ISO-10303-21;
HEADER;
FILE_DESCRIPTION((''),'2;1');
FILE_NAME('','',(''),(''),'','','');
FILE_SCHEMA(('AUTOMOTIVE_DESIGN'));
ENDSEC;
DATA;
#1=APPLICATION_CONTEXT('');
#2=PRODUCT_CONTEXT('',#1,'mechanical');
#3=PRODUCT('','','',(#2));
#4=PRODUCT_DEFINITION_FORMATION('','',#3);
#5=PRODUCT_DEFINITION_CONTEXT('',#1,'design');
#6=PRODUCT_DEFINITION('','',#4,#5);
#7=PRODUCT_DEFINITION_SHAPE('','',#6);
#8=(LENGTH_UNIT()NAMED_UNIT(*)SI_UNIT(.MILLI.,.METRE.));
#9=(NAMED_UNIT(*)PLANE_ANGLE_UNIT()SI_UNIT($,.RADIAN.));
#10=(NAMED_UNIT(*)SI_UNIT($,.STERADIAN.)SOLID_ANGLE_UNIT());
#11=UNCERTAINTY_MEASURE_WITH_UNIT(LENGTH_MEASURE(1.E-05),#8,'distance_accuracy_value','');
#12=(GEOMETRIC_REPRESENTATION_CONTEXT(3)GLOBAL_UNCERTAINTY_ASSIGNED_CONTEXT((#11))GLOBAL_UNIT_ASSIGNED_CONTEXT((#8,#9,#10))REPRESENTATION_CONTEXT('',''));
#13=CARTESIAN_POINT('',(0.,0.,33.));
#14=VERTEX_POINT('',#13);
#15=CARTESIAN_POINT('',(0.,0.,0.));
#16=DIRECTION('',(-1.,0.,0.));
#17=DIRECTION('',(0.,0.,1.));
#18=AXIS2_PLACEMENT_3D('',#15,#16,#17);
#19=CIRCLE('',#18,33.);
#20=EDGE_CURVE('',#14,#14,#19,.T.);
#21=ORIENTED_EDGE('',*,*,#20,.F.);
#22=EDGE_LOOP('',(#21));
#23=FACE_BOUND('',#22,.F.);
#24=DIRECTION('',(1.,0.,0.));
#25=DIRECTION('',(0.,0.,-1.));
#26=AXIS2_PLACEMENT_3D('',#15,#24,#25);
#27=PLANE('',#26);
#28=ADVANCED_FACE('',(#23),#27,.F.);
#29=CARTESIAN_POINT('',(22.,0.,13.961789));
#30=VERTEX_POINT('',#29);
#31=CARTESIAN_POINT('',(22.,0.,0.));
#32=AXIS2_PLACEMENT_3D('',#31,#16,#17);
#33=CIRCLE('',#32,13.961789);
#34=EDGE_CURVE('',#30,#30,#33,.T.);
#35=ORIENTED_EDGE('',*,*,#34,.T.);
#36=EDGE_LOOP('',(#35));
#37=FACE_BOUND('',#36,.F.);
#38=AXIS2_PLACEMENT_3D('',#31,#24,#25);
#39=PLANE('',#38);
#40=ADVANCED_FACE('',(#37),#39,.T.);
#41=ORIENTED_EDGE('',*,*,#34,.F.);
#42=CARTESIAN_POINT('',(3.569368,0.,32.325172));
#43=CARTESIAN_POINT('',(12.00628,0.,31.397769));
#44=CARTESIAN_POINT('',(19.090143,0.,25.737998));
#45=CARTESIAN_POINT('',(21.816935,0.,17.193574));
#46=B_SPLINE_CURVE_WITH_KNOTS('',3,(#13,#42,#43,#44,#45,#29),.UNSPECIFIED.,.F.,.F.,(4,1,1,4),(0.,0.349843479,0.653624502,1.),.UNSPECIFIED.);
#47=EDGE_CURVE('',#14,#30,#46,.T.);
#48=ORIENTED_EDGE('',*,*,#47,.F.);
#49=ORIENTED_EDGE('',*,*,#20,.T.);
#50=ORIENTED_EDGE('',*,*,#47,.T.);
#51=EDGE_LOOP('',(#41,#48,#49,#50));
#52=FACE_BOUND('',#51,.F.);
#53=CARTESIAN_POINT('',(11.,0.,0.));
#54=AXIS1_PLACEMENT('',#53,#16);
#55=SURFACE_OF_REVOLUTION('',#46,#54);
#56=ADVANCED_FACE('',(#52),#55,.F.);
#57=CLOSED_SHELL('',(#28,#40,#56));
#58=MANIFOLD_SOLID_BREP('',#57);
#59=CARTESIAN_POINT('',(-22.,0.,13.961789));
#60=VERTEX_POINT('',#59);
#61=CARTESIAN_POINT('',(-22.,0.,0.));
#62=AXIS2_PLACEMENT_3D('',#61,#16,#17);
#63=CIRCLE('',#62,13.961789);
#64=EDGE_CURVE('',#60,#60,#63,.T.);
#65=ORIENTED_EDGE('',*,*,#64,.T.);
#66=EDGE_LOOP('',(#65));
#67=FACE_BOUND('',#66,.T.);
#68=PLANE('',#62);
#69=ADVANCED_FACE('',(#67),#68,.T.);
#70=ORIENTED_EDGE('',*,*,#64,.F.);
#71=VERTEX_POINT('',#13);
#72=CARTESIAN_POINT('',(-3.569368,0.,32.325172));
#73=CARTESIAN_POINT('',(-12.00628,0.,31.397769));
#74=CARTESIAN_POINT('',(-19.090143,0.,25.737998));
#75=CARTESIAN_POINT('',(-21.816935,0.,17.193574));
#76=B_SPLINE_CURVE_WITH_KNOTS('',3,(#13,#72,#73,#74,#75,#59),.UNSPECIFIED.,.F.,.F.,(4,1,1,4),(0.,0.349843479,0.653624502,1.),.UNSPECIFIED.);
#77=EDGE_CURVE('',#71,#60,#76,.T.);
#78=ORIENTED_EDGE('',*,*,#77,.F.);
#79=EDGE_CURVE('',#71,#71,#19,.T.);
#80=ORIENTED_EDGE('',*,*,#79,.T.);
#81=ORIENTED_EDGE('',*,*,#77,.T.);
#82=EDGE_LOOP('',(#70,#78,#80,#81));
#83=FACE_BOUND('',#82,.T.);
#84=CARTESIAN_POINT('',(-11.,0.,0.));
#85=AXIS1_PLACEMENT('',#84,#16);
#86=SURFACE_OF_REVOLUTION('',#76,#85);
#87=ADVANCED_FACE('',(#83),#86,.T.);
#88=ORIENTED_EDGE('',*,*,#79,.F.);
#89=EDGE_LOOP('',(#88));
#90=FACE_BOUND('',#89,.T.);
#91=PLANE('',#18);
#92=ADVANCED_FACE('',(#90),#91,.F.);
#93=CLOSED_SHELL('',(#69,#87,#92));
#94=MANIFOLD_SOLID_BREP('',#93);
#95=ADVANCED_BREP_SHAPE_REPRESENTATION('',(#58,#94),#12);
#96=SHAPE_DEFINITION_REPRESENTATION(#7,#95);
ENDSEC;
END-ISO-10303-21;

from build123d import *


with BuildPart() as f1:
    # F0 (on Front) → F1 (revolve)
    with BuildSketch(Plane.XZ):
        with BuildLine():
            Line((-22, 0), (0, 0))
            Line((0, 0), (0, 33))
            add(Edge.make_bspline(
                [(0, 33), (-3.5693676397, 32.32517243), (-12.006280409, 31.3977691906), (-19.0901430372, 25.7379982202), (-21.8169351449, 17.1935738853), (-22, 13.9617891982)],
                knots=[0, 0, 0, 0, 0.3498434787, 0.6536245019, 1, 1, 1, 1], degree=3))
            Line((-22, 13.9617891982), (-22, 0))
        make_face()
    revolve(axis=Axis((-11, 0, 0), (-1, 0, 0)))


with BuildPart() as f2_1:
    # F2: instance of F1
    add(f1.part.mirror(Plane.YZ))


solid = Compound([f1.part, f2_1.part])
